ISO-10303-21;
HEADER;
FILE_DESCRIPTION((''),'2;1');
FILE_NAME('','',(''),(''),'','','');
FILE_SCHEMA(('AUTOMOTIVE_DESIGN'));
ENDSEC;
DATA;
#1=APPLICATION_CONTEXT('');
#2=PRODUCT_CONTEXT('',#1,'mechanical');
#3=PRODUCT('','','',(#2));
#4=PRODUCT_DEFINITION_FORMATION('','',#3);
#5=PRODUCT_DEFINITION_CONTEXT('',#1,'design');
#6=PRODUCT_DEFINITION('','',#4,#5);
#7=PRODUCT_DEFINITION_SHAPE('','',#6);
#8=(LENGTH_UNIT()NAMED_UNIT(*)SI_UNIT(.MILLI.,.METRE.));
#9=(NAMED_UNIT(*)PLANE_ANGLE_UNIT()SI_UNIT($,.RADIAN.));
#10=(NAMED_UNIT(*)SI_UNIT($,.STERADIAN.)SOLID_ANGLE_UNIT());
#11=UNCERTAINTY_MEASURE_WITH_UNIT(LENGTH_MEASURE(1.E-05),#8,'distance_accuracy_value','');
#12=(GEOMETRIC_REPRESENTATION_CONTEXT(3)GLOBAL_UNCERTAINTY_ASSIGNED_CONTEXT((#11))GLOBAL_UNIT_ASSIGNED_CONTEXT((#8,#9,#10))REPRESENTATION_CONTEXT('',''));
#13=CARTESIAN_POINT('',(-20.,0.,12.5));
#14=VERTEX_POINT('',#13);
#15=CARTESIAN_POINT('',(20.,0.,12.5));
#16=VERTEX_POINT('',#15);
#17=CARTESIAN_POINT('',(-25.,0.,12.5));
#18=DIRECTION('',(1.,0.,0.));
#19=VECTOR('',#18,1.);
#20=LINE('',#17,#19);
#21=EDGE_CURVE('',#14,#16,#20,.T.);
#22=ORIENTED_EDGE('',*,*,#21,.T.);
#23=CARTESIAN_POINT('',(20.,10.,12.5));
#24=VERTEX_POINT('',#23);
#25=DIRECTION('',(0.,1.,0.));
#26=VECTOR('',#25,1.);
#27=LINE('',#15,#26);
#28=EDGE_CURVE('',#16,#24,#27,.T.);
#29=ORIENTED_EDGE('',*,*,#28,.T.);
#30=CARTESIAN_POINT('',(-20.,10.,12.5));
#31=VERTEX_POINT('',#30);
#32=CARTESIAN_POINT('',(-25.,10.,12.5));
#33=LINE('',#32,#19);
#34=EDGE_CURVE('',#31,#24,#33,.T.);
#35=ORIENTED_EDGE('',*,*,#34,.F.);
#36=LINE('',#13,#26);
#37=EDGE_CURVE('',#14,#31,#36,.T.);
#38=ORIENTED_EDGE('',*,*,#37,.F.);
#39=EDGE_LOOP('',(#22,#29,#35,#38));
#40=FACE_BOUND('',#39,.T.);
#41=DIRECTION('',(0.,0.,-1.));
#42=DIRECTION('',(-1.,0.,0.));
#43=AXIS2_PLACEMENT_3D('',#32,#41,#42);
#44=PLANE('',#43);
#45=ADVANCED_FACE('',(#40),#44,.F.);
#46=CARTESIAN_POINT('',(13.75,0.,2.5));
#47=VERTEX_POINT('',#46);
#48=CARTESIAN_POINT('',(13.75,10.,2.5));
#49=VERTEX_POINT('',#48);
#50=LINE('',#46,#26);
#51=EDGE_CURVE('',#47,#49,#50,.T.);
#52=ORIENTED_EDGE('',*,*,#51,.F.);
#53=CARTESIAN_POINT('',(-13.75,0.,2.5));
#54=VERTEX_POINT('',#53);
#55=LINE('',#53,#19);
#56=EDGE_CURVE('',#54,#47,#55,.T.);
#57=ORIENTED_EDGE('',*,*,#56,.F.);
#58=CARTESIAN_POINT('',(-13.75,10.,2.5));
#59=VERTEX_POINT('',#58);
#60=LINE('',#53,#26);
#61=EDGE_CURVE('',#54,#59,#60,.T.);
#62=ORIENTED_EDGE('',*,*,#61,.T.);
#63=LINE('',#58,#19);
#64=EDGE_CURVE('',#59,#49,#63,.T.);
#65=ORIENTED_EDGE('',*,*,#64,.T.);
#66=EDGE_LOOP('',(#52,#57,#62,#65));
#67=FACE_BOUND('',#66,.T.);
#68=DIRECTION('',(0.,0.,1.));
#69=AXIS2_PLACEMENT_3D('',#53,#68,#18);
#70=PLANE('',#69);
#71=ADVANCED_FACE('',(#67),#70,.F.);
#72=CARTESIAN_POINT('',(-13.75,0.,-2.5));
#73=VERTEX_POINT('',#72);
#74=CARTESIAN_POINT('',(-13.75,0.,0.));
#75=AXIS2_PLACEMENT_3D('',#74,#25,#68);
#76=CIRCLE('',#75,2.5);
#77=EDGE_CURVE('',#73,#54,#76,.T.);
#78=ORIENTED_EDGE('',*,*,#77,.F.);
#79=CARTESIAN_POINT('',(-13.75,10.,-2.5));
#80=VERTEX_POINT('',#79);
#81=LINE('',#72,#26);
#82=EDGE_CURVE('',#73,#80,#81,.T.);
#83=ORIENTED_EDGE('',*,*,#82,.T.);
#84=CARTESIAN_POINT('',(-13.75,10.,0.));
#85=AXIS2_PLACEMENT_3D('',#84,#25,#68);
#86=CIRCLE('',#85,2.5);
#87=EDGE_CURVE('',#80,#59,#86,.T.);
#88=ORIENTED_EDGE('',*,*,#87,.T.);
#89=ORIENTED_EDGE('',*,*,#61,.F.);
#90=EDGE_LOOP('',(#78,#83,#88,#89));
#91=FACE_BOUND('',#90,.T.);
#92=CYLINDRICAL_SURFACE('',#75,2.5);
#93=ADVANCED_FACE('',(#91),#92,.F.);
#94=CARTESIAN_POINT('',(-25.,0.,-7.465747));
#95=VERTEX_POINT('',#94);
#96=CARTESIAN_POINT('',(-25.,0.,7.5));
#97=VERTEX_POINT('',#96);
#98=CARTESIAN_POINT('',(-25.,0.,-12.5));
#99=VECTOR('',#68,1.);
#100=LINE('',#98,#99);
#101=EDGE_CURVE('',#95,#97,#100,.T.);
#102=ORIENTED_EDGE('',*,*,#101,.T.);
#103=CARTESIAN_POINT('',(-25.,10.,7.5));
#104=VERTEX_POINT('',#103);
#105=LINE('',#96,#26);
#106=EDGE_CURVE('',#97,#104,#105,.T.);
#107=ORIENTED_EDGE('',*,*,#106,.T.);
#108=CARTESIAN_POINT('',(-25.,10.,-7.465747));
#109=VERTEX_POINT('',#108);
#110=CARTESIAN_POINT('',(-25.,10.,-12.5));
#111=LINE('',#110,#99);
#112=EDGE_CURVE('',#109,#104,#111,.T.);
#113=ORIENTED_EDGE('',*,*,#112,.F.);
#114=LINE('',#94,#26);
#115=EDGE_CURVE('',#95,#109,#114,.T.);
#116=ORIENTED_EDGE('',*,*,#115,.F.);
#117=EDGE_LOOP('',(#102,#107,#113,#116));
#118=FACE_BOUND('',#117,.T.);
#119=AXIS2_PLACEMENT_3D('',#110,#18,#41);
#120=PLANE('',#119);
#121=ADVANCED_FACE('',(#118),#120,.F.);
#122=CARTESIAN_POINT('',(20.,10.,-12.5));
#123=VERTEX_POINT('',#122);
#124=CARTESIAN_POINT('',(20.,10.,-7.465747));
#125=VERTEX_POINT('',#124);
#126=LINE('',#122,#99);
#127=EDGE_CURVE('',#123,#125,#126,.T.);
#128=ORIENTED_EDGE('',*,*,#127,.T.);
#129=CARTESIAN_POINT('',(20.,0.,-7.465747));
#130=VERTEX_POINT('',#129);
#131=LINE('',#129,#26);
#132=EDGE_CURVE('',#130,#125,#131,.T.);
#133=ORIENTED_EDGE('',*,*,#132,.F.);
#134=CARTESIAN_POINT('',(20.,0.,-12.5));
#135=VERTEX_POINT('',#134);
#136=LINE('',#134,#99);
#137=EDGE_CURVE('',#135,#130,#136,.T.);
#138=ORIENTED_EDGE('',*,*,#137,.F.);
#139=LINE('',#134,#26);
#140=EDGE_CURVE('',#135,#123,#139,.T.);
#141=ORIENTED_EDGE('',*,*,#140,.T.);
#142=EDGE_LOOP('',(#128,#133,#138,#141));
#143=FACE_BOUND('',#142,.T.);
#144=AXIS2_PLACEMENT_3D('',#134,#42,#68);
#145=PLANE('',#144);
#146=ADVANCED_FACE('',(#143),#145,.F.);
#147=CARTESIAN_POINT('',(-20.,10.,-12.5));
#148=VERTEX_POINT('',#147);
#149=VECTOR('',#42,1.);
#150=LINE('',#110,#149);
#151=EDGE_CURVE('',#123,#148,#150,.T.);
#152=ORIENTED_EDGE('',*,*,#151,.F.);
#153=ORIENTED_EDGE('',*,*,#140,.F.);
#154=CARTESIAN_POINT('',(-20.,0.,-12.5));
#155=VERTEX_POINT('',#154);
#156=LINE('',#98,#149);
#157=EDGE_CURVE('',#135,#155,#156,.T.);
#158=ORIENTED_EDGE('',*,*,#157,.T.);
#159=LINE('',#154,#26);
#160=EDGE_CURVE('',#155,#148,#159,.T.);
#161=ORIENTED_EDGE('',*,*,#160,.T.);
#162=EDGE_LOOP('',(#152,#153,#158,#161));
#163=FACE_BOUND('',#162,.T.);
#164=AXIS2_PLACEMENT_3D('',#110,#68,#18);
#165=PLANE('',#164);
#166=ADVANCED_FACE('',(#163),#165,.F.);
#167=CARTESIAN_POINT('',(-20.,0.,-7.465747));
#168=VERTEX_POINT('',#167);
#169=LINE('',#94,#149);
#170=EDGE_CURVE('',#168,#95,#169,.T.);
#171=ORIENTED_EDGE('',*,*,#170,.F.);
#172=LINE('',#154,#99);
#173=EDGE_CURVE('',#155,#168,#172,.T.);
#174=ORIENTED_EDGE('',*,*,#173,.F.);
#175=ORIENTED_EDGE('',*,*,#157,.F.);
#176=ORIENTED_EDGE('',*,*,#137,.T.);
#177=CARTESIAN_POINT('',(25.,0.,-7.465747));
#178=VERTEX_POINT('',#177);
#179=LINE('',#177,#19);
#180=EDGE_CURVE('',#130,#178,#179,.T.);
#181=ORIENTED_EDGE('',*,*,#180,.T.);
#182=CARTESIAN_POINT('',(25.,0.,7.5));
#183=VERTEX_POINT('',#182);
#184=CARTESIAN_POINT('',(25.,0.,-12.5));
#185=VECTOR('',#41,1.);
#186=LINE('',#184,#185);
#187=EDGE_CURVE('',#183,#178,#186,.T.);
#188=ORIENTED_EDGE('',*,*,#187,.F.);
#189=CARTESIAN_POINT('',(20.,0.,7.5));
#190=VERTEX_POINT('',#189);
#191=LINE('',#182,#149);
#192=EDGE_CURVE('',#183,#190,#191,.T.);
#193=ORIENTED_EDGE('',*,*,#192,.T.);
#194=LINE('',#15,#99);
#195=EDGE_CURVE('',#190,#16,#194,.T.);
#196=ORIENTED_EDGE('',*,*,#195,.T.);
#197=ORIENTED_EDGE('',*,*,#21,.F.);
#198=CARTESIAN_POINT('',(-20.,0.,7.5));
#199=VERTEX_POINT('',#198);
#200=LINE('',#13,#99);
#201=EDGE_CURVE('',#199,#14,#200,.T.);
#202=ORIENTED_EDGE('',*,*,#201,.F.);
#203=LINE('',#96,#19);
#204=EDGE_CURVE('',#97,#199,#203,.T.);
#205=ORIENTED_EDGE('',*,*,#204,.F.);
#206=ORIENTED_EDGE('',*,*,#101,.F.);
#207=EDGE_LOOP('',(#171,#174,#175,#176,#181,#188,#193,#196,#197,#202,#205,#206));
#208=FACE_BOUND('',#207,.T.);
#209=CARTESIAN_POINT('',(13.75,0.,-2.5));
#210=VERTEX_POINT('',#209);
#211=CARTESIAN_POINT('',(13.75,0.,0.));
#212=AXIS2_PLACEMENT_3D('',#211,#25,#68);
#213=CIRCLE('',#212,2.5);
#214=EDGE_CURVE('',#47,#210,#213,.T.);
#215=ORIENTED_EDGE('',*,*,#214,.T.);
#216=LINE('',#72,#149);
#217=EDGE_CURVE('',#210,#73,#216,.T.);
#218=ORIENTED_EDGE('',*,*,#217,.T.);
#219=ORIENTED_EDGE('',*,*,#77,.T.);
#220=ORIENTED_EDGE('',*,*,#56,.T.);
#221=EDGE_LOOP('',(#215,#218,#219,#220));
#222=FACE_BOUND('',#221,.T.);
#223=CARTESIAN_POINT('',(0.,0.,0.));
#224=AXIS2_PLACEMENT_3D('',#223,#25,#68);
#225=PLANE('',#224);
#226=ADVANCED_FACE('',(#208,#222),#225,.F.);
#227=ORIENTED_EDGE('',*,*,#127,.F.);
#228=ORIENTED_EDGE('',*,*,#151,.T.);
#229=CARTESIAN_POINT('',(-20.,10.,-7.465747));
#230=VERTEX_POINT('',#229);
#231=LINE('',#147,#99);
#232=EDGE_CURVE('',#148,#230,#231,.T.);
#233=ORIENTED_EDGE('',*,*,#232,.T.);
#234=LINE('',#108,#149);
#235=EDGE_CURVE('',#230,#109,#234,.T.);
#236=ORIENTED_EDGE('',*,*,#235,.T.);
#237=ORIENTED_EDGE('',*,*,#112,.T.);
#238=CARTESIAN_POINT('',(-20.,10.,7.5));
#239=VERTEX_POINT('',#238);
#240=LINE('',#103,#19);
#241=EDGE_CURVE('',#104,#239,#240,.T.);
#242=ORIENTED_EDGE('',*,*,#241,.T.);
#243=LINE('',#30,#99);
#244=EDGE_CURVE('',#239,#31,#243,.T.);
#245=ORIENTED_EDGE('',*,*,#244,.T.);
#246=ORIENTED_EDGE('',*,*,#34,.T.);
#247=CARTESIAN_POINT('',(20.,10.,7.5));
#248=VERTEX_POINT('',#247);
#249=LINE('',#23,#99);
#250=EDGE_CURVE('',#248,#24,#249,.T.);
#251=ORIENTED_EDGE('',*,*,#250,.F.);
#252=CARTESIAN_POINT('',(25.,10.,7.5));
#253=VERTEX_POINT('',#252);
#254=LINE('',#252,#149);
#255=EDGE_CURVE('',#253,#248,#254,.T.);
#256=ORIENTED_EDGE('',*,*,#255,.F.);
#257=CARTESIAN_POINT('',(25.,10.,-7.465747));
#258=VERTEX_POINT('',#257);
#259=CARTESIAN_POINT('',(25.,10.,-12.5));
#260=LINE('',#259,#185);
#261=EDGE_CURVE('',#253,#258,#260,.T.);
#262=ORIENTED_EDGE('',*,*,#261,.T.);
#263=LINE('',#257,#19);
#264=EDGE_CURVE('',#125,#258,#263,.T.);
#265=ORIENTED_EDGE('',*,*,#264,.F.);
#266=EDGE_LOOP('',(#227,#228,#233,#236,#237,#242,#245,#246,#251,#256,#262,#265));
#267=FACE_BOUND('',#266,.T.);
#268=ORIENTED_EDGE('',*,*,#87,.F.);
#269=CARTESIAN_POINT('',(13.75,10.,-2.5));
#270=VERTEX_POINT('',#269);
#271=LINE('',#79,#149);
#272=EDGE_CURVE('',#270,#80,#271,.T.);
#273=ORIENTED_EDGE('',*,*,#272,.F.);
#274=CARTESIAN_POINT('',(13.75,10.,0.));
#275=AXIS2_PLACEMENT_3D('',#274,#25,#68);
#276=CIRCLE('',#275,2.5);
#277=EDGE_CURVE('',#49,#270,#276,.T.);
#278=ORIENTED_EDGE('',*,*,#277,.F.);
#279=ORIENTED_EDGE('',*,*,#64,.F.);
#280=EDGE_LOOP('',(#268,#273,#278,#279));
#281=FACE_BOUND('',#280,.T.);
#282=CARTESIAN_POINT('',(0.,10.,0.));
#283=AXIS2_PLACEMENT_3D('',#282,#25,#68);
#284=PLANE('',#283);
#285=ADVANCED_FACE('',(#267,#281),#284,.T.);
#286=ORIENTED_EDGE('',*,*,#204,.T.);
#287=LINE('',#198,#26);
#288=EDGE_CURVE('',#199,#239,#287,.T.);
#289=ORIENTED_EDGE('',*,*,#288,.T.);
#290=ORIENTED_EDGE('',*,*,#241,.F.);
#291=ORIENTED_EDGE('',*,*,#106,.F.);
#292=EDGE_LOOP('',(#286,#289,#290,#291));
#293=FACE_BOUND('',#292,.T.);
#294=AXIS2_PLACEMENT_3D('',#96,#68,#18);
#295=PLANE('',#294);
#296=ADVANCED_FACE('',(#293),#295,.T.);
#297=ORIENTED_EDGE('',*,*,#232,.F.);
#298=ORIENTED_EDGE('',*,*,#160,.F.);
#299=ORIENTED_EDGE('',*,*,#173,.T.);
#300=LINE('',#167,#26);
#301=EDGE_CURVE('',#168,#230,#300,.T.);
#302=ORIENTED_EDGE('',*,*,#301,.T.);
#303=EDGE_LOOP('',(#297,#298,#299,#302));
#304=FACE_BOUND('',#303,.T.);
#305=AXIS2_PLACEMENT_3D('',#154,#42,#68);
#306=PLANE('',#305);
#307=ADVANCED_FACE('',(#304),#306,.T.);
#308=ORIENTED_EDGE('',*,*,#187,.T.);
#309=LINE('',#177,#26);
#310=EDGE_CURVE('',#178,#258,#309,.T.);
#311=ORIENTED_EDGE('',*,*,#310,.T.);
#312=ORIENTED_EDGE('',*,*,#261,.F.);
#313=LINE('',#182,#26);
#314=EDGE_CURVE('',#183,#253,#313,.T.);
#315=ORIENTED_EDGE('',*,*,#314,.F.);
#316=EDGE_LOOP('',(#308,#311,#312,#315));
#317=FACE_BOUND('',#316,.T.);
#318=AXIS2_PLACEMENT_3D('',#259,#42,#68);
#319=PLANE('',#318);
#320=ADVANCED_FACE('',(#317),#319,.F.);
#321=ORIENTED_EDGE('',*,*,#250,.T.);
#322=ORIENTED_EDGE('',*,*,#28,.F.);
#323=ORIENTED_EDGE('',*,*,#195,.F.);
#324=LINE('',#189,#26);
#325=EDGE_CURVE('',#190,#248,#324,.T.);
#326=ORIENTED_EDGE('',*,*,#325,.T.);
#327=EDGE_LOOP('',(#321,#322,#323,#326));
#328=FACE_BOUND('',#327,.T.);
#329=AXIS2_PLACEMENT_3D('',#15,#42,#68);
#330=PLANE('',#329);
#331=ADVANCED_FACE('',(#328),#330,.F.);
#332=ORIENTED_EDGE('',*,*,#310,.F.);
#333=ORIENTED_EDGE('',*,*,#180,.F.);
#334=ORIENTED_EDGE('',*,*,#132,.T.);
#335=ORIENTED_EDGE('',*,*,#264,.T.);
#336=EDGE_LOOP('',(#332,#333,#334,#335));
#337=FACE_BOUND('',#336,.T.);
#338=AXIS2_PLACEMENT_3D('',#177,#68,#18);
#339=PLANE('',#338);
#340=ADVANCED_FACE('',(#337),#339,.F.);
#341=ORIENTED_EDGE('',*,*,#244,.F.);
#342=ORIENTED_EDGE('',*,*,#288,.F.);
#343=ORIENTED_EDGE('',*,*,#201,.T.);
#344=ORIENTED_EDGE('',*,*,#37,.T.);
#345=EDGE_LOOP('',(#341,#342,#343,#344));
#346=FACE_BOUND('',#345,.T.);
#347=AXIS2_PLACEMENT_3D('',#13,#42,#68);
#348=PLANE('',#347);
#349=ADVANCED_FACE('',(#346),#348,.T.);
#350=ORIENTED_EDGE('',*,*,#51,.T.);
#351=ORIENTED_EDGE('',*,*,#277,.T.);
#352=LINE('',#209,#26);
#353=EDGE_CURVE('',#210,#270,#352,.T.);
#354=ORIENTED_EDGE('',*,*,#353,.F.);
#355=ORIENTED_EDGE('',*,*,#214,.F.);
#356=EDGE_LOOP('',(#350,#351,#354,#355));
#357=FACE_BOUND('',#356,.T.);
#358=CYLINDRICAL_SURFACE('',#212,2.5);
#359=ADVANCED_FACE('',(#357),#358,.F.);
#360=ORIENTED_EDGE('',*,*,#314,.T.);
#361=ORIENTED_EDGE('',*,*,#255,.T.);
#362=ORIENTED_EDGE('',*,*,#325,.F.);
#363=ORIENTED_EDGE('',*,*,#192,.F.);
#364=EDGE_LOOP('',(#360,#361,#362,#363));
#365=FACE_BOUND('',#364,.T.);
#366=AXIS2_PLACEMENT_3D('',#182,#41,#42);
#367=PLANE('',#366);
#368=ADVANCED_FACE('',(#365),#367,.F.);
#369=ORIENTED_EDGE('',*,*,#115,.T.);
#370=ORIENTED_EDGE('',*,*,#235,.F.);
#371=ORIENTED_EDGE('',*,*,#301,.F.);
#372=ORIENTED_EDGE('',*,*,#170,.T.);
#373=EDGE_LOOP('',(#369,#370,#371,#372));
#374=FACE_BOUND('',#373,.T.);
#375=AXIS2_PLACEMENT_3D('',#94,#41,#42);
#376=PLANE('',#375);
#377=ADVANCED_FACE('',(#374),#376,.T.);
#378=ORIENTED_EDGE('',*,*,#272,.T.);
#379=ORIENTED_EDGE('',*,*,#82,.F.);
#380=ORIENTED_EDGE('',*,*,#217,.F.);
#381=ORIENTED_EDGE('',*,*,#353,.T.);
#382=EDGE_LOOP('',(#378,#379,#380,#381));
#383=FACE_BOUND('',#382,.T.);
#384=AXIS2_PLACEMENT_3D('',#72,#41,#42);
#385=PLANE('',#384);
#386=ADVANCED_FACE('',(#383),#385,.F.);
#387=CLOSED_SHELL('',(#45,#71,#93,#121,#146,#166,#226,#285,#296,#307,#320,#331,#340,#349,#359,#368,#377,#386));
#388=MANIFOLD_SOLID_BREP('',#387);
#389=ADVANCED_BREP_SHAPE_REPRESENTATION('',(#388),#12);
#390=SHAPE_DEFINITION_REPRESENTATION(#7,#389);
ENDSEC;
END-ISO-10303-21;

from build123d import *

# Parameters (mm, degrees)
SKETCH2_W           = 50
SKETCH2_H           = 25
BOSS_EXTRUDE1_DEPTH = 10
SKETCH3_W           = 5
SKETCH3_H           = 5.034252603
SKETCH3_H_2         = 5
CUT_EXTRUDE1_DEPTH  = 30.685855218
CUT_EXTRUDE2_DEPTH  = 30.685855218


with BuildPart() as part:
    # Sketch2 → Boss-Extrude1 (new body)
    with BuildSketch(Plane(origin=(0, 0, 0), x_dir=(1, 0, 0), z_dir=(0, 1, 0))):
        Rectangle(SKETCH2_W, SKETCH2_H)
    extrude(amount=BOSS_EXTRUDE1_DEPTH)

    # Sketch3 → Cut-Extrude1 (cut, through all)
    with BuildSketch(Plane(origin=(0, 10, 0), x_dir=(1, 0, 0), z_dir=(0, 1, 0))):
        with Locations((22.5, 9.982873699)):
            Rectangle(SKETCH3_W, SKETCH3_H)
        with Locations((22.5, -10)):
            Rectangle(SKETCH3_W, SKETCH3_H_2)
    cut_extrude1 = extrude(amount=-CUT_EXTRUDE1_DEPTH, mode=Mode.SUBTRACT)

    # Mirror1: Cut-Extrude1 across plane
    add(cut_extrude1.mirror(Plane(origin=(0, 0, 0), x_dir=(0, 0, 1), z_dir=(1, 0, 0))), mode=Mode.SUBTRACT)

    # Sketch4 → Cut-Extrude2 (cut, through all)
    with BuildSketch(Plane(origin=(0, 10, 0), x_dir=(1, 0, 0), z_dir=(0, 1, 0))):
        with BuildLine():
            Line((-13.75, 2.5), (13.75, 2.5))
            ThreePointArc((13.75, 2.5), (16.25, 0), (13.75, -2.5))
            Line((13.75, -2.5), (-13.75, -2.5))
            ThreePointArc((-13.75, -2.5), (-16.25, 0), (-13.75, 2.5))
        make_face()
    extrude(amount=-CUT_EXTRUDE2_DEPTH, mode=Mode.SUBTRACT)


solid = part.part
